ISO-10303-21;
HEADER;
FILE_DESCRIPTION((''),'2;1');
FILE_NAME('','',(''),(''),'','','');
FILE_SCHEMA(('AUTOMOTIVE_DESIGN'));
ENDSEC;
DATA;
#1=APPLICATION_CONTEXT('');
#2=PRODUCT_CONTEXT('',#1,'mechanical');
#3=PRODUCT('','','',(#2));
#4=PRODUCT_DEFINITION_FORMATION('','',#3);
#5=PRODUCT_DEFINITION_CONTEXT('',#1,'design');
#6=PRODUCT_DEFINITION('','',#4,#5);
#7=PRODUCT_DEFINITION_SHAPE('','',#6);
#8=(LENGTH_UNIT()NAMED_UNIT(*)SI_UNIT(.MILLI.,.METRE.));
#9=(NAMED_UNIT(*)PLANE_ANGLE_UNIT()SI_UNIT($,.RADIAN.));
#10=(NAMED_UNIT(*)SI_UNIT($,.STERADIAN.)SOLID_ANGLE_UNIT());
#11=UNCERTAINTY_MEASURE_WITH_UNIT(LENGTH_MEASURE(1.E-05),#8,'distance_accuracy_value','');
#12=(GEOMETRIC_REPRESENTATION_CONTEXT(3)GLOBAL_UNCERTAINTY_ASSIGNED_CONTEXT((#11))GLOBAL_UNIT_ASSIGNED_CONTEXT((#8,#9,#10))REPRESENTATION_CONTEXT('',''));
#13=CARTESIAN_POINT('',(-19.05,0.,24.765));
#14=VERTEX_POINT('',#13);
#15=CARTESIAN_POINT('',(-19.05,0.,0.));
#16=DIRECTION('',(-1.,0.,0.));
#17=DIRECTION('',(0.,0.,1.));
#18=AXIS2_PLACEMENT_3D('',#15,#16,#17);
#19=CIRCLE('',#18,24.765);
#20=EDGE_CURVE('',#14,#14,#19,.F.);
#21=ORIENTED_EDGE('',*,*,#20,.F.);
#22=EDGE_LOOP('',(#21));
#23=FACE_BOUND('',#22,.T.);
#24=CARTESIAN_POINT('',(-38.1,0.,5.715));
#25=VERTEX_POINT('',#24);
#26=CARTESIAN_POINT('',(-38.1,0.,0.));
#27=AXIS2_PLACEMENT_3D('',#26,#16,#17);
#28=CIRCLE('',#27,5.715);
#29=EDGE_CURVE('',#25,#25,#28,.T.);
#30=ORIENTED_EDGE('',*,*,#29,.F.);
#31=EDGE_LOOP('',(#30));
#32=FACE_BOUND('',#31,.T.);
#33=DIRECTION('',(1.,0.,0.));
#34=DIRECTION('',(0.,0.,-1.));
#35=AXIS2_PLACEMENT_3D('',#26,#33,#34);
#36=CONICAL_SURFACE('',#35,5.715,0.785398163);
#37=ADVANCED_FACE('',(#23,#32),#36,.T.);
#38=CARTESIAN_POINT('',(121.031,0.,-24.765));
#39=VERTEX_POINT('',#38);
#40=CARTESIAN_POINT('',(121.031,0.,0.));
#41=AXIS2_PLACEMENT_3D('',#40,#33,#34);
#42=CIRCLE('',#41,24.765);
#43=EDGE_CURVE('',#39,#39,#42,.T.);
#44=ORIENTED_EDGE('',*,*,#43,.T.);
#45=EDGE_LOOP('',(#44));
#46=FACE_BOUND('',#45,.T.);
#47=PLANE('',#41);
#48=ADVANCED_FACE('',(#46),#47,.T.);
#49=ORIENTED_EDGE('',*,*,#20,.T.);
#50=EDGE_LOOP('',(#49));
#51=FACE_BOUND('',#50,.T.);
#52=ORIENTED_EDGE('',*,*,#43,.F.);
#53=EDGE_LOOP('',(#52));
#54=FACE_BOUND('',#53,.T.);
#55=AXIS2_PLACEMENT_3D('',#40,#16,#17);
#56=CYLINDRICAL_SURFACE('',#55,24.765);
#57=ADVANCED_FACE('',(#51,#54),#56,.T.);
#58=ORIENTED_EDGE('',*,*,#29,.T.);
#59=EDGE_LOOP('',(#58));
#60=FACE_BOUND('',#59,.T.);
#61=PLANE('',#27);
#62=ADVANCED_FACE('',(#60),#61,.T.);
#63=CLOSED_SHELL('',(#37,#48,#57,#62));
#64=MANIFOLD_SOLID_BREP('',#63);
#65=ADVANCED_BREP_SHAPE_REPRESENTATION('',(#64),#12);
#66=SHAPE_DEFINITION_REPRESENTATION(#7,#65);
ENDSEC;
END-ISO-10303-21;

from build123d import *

# Parameters (mm, degrees)
SKETCH1_R           = 24.765
BOSS_EXTRUDE1_DEPTH = 121.031
SKETCH3_R           = 24.765
BOSS_EXTRUDE2_DEPTH = 38.1
CHAMFER1_SIZE       = 19.05


with BuildPart() as part:
    # Sketch1 → Boss-Extrude1 (new body)
    with BuildSketch(Plane(origin=(0, 0, 0), x_dir=(0, 0, -1), z_dir=(1, 0, 0))):
        Circle(SKETCH1_R)
    extrude(amount=BOSS_EXTRUDE1_DEPTH)

    # Sketch3 → Boss-Extrude2 (add)
    with BuildSketch(Plane.ZY):
        Circle(SKETCH3_R)
    extrude(amount=BOSS_EXTRUDE2_DEPTH)

    # Chamfer1
    chamfer1_edges = [part.edges().sort_by_distance(p)[0] for p in [
        (-38.1, 0, -24.765),
    ]]
    chamfer(chamfer1_edges, length=CHAMFER1_SIZE)


solid = part.part
